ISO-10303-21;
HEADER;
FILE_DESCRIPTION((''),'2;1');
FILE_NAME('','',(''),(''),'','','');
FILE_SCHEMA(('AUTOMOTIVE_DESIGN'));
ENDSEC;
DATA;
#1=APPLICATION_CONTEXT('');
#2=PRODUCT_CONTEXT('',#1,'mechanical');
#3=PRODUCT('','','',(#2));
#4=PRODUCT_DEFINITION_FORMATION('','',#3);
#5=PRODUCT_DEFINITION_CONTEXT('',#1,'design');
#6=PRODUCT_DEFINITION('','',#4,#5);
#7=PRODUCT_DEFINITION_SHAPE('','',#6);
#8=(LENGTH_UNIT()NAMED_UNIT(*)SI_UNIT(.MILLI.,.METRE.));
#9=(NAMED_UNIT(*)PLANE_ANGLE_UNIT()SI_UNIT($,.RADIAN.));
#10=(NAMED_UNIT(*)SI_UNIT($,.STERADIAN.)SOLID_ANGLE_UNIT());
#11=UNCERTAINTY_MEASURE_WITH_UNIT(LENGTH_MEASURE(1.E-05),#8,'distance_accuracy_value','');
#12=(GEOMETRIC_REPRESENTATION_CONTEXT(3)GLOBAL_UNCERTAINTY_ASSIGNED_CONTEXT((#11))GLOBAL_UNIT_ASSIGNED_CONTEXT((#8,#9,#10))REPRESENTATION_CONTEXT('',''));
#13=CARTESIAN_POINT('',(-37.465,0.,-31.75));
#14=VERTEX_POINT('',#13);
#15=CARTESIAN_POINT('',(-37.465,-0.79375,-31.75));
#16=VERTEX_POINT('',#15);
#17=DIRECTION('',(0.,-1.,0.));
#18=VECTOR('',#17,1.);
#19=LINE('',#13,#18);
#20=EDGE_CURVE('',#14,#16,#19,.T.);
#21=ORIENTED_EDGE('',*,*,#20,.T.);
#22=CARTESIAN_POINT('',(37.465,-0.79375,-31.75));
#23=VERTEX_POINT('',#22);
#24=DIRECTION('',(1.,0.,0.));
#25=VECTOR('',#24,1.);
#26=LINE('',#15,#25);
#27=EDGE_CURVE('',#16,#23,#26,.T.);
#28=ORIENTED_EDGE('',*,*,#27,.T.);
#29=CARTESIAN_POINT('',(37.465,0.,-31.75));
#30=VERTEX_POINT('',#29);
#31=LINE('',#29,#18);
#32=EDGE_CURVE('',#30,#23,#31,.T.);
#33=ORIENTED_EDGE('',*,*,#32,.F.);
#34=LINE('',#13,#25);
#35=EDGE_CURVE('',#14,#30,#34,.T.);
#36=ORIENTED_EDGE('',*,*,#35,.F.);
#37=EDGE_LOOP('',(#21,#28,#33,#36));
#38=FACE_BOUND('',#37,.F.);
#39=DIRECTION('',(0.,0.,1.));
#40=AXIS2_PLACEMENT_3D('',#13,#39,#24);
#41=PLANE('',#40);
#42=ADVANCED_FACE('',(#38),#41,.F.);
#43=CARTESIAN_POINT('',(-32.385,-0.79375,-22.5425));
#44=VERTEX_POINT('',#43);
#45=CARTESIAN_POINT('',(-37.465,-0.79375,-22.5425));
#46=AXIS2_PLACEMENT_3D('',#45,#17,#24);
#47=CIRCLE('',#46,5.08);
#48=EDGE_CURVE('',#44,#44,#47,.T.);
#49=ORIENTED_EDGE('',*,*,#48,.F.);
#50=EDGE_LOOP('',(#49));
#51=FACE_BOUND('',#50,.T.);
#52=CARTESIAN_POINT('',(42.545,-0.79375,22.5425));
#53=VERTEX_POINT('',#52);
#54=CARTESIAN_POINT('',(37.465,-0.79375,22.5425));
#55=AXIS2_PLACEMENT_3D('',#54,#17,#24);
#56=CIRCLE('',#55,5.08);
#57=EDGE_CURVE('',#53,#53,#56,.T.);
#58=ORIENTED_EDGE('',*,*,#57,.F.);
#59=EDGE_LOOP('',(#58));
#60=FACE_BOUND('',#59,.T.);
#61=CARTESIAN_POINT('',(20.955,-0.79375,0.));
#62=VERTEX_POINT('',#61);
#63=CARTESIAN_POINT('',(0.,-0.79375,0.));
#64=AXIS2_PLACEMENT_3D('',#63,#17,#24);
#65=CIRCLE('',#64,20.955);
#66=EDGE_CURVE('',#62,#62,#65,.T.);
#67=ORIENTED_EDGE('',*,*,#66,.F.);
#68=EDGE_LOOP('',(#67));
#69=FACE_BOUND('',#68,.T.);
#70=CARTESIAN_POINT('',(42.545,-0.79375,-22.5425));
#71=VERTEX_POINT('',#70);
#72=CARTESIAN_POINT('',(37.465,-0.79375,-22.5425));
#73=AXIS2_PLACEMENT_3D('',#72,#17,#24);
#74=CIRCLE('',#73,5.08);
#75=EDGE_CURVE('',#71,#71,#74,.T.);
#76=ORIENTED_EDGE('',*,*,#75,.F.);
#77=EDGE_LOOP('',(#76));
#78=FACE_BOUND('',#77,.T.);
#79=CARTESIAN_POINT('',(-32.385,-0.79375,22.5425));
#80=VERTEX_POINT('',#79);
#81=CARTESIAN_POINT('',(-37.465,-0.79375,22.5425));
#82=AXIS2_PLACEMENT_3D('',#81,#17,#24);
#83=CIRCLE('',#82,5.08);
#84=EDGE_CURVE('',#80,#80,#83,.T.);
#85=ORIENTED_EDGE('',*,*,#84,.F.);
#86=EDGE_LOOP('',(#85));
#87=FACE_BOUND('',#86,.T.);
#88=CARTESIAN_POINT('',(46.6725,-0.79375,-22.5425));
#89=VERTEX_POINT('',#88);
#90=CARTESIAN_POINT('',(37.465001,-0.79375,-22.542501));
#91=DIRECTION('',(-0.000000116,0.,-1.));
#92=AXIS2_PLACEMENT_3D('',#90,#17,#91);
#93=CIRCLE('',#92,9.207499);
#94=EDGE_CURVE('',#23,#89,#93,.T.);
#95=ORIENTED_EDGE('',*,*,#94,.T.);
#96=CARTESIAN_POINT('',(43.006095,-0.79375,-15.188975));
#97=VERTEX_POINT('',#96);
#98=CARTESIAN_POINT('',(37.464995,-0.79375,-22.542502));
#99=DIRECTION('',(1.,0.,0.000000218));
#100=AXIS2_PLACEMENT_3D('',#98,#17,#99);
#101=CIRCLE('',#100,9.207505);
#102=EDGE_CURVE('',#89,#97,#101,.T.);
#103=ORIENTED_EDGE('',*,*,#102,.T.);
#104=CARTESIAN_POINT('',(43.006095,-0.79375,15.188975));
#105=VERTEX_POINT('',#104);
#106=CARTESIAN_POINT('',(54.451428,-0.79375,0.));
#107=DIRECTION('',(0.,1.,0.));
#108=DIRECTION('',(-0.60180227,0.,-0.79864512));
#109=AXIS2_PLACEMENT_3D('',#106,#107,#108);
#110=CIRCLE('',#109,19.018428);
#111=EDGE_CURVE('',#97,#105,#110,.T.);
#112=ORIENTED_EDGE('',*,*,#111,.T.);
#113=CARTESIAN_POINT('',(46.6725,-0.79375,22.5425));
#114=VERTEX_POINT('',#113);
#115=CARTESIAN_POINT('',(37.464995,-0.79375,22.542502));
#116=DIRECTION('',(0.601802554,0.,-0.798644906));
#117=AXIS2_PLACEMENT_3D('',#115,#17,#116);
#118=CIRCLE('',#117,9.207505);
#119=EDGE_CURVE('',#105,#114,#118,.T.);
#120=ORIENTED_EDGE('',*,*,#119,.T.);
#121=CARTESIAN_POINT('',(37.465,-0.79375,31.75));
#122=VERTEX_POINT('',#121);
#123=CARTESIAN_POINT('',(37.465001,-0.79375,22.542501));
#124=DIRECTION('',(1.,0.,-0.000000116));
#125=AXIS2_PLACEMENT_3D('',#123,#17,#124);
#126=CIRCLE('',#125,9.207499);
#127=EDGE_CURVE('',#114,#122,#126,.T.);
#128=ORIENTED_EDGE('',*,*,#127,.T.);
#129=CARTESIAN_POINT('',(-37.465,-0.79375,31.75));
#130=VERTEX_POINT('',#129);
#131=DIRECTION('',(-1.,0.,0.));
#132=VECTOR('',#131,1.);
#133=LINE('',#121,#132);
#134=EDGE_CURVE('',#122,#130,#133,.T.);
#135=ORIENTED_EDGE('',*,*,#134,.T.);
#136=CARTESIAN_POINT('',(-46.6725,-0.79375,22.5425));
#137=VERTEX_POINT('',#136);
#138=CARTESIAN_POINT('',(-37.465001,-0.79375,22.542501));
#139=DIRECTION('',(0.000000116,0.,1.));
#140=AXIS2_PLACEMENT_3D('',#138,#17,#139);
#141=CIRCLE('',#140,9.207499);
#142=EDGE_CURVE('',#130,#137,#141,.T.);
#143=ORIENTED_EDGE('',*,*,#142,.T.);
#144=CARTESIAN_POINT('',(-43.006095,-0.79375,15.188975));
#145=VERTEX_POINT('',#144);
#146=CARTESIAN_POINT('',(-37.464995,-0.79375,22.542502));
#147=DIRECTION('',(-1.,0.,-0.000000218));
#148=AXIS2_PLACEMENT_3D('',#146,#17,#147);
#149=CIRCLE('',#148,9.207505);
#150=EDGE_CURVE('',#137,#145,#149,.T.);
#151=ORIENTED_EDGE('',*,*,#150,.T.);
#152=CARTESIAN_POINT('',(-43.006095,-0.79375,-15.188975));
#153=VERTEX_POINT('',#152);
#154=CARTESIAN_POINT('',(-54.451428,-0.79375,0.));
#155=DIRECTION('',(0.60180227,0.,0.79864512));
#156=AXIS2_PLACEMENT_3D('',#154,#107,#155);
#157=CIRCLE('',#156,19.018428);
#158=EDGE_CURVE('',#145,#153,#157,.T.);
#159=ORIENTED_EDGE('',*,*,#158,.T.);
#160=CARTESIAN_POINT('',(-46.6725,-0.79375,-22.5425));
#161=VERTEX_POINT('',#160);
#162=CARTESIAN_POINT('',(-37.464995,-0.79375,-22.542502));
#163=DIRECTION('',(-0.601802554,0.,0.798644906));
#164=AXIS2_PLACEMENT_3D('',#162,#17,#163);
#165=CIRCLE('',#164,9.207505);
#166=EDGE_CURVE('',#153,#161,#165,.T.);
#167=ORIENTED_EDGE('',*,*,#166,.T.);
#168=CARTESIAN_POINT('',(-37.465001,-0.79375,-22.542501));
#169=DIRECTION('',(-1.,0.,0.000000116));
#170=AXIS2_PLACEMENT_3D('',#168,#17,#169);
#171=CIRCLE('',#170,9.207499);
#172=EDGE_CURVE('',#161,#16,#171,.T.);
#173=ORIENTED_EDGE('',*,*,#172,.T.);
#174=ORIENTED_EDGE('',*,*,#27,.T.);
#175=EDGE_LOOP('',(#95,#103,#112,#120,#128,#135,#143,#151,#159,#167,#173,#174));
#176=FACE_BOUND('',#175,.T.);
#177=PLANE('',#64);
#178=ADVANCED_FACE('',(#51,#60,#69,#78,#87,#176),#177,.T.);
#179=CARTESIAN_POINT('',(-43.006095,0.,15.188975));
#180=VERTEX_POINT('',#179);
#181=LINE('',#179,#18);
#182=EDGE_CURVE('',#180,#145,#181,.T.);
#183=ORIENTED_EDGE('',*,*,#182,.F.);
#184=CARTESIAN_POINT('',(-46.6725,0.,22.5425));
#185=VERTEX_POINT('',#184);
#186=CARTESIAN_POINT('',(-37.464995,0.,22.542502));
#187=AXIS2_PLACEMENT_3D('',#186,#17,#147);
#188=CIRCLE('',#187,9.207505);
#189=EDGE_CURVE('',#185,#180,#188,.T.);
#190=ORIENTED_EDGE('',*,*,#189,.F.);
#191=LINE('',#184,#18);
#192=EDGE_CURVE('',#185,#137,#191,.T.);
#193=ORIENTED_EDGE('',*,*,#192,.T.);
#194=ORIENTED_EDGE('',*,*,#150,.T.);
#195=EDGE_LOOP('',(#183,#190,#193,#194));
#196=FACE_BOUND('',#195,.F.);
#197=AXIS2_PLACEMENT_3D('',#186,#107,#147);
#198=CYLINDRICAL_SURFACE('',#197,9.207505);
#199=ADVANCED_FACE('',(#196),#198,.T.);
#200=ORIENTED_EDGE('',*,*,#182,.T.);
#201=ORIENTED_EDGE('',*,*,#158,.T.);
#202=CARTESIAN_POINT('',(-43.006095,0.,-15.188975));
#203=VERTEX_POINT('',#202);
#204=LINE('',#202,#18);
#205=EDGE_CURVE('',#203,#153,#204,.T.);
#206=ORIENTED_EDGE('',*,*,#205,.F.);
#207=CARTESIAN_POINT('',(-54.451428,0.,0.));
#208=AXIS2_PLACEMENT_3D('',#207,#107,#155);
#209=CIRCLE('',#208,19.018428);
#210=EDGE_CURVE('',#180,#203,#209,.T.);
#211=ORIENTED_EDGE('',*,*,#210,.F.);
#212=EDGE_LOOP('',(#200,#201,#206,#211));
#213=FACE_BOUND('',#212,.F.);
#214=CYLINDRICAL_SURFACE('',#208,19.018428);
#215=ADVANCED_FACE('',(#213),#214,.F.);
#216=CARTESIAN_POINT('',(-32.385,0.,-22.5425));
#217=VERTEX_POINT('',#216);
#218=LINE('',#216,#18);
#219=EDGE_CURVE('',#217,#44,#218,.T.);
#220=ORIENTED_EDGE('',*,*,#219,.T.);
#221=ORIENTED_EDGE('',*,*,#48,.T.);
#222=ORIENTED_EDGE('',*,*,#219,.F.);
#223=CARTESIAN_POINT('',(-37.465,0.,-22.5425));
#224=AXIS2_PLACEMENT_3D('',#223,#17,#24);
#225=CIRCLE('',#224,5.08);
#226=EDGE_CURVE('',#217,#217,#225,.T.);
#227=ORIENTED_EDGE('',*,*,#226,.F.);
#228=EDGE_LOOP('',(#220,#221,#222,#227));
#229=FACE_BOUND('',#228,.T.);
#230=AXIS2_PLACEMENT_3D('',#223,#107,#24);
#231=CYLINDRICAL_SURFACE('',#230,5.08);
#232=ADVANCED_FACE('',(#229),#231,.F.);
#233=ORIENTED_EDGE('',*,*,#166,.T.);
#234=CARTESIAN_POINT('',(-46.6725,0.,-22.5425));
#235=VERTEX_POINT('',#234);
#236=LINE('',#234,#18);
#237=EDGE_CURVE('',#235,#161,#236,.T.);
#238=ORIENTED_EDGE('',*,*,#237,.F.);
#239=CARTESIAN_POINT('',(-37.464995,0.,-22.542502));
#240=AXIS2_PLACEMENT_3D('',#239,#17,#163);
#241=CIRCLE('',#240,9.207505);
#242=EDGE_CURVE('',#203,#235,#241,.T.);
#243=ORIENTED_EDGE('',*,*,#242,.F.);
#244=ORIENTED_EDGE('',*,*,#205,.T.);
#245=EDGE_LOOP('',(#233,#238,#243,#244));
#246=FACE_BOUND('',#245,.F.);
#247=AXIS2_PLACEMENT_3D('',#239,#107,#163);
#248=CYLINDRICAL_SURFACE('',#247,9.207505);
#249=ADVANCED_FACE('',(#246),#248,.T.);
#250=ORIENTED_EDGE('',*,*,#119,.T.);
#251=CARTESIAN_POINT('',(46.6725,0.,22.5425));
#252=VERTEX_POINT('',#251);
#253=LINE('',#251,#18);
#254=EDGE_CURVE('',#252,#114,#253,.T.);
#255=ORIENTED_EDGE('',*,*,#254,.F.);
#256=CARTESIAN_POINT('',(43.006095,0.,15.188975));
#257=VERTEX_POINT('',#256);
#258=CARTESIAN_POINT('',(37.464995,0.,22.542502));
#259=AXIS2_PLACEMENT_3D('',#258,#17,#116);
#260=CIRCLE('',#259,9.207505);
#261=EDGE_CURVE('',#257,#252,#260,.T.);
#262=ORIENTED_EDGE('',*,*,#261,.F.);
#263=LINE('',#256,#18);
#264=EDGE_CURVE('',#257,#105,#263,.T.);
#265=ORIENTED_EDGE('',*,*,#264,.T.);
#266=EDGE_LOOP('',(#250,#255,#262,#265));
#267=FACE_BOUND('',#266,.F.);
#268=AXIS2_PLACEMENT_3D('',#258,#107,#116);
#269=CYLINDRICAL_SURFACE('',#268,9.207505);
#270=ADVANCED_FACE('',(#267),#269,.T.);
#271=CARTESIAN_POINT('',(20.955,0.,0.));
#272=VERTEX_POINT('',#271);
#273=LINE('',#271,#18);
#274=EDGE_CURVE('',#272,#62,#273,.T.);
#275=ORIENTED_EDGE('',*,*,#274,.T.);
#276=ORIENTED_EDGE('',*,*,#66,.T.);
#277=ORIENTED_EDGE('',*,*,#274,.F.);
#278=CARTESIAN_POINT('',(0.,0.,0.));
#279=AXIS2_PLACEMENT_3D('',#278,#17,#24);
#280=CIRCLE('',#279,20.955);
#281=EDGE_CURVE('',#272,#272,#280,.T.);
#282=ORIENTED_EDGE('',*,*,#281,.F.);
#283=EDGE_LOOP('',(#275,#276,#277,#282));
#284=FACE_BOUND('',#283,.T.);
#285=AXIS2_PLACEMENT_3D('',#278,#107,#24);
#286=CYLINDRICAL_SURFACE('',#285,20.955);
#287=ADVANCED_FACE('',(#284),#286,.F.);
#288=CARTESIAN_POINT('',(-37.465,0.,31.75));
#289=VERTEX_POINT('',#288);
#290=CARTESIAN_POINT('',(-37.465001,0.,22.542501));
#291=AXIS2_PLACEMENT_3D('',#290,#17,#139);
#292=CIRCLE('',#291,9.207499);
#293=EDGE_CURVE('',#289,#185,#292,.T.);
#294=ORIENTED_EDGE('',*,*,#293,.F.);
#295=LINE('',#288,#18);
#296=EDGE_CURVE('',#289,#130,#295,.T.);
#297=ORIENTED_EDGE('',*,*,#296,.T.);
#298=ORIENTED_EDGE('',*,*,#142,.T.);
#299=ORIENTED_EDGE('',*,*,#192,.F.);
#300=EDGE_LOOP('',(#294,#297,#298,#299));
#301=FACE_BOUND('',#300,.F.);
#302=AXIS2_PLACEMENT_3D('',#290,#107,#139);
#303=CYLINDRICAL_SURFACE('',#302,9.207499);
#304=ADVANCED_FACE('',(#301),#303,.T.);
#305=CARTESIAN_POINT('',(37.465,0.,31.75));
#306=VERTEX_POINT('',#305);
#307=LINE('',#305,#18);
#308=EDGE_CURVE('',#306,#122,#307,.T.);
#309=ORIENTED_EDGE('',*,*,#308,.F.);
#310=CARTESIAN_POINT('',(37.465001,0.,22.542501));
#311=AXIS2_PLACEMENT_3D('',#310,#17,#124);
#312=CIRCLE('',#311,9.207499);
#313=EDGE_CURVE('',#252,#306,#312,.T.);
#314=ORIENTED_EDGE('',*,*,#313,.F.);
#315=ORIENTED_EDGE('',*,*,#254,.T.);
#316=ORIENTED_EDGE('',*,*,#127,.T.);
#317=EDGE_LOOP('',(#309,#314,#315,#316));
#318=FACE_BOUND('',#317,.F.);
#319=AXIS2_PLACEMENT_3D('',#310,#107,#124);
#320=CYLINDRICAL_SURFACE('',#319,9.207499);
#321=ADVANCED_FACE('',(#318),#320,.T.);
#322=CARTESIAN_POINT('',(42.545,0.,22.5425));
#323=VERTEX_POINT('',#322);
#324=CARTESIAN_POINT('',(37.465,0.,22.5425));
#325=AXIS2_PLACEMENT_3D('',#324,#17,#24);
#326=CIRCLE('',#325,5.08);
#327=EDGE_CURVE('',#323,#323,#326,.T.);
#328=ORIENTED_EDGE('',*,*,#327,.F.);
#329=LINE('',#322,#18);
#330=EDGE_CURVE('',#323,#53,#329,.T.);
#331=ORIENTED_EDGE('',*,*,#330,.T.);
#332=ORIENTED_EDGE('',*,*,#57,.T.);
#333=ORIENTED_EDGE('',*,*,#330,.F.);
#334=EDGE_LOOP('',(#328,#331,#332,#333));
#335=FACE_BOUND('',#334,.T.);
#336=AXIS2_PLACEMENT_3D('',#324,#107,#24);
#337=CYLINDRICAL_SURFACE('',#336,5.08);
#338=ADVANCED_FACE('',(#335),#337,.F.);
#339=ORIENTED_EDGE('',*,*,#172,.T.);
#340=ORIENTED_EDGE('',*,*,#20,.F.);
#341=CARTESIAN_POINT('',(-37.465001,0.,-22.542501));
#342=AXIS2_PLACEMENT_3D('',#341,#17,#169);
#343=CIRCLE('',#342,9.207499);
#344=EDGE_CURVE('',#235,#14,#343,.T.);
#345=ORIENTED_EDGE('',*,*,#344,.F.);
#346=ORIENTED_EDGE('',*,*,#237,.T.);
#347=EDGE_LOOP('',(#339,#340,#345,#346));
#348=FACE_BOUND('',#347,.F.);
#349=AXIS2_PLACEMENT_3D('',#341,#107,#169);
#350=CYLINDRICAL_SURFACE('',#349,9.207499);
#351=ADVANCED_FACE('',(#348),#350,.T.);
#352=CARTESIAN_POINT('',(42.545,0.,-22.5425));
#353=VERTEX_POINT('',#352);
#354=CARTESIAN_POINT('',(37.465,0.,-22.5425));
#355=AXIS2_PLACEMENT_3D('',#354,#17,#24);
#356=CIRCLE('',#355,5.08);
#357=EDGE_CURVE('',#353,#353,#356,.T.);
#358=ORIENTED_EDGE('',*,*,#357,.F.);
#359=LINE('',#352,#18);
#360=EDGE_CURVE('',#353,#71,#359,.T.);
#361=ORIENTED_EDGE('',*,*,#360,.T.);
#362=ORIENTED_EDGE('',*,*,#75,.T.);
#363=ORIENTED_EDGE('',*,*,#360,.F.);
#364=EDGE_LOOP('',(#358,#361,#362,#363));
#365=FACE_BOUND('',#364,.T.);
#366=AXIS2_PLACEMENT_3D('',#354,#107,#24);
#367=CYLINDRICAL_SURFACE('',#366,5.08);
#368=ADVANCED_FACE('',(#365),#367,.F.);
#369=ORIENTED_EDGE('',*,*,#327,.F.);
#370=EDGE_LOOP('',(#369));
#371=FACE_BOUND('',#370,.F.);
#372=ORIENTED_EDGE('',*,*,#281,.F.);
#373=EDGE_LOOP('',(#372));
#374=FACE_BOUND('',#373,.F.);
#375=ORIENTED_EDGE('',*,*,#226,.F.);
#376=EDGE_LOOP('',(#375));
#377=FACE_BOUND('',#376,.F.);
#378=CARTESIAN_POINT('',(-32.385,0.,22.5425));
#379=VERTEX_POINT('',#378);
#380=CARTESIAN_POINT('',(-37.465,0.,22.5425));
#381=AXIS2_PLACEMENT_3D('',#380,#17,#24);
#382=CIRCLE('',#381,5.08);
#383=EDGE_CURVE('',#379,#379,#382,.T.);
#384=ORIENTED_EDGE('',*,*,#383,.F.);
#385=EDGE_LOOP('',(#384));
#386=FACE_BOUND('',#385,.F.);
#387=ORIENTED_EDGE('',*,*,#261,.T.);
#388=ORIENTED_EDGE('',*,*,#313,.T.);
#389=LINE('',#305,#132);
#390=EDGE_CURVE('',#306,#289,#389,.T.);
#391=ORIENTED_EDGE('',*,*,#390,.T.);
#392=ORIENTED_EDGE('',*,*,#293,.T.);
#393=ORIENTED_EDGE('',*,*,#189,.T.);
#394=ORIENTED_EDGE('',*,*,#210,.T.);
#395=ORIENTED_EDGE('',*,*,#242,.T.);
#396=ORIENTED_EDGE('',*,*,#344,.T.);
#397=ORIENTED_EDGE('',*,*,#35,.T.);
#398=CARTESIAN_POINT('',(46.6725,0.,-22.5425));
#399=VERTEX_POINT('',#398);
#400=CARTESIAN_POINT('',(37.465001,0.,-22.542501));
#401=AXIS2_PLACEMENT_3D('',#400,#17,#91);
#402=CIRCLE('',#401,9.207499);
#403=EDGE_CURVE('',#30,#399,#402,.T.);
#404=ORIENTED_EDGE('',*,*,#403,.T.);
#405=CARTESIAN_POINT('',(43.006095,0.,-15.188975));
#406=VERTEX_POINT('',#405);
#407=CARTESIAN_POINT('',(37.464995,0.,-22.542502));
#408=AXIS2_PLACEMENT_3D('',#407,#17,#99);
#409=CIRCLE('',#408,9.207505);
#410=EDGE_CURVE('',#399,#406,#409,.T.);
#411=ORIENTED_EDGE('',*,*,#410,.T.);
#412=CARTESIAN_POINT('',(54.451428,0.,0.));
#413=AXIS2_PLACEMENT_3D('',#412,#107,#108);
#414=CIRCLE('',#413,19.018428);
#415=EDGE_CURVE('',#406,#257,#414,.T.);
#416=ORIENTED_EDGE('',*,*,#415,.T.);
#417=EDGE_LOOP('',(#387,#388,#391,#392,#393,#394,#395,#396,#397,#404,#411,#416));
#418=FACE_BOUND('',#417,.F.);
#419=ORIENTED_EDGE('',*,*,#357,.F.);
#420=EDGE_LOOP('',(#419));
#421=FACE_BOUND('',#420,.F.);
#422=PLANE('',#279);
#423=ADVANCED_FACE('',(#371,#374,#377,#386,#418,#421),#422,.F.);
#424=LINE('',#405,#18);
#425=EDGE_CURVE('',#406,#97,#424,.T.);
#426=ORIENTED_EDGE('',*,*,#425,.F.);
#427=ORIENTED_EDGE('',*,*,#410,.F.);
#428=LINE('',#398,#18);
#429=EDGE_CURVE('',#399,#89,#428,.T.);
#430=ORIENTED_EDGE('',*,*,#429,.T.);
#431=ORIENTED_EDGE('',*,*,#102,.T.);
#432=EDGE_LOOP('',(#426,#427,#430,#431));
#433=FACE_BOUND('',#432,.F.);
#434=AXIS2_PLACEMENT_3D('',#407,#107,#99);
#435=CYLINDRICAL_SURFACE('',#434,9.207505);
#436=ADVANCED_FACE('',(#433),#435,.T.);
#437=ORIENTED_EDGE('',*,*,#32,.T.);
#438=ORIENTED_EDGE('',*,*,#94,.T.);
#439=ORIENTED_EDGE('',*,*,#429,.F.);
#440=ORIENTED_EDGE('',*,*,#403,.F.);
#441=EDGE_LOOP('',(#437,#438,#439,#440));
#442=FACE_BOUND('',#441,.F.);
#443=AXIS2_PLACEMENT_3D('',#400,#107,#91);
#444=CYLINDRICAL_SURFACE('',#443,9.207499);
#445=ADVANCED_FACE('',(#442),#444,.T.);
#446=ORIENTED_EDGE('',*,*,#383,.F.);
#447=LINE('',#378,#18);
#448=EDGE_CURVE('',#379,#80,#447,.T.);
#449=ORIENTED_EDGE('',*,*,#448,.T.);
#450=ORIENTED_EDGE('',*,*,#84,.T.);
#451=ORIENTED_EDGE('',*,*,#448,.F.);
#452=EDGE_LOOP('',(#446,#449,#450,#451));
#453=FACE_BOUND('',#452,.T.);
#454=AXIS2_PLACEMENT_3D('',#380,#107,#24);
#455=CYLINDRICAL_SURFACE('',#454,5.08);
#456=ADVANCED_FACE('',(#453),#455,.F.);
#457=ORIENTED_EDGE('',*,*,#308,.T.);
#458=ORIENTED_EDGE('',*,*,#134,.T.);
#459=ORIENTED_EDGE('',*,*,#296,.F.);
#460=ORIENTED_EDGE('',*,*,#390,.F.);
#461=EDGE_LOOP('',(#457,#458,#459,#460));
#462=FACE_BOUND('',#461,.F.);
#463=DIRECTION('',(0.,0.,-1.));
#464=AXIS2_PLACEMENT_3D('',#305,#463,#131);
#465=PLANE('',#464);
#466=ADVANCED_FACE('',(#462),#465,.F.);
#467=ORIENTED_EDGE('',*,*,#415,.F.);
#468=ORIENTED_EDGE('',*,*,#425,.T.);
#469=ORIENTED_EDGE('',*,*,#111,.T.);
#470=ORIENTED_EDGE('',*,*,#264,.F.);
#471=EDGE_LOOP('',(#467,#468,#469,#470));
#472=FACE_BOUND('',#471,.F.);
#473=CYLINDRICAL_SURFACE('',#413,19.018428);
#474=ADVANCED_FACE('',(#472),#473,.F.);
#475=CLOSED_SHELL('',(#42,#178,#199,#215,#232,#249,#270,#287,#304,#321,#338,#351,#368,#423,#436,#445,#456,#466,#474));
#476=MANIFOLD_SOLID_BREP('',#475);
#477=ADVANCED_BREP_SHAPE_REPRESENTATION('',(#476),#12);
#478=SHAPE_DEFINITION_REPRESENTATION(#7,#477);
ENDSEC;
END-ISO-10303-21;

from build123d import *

# Parameters (mm, degrees)
F0_R     = 5.08
F0_R_2   = 20.955
F1_DEPTH = 0.79375


with BuildPart() as f1:
    # F0 (on Front) → F1 (new body)
    with BuildSketch(Plane.XZ):
        with BuildLine():
            Line((37.465, 31.75), (-37.465, 31.75))
            ThreePointArc((-37.465, 31.75), (-43.975686, 29.053186), (-46.6725, 22.5425))
            ThreePointArc((-46.6725, 22.5425), (-45.705075, 18.434068), (-43.006095, 15.188975))
            ThreePointArc((-43.006095, 15.188975), (-35.433, 0), (-43.006095, -15.188975))
            ThreePointArc((-43.006095, -15.188975), (-45.705075, -18.434068), (-46.6725, -22.5425))
            ThreePointArc((-46.6725, -22.5425), (-43.975686, -29.053186), (-37.465, -31.75))
            Line((-37.465, -31.75), (37.465, -31.75))
            ThreePointArc((37.465, -31.75), (43.975686, -29.053186), (46.6725, -22.5425))
            ThreePointArc((46.6725, -22.5425), (45.705075, -18.434068), (43.006095, -15.188975))
            ThreePointArc((43.006095, -15.188975), (35.433, 0), (43.006095, 15.188975))
            ThreePointArc((43.006095, 15.188975), (45.705075, 18.434068), (46.6725, 22.5425))
            ThreePointArc((46.6725, 22.5425), (43.975686, 29.053186), (37.465, 31.75))
        make_face()
        with Locations((-37.465, -22.5425)):
            Circle(F0_R, mode=Mode.SUBTRACT)
        with Locations((37.465, -22.5425)):
            Circle(F0_R, mode=Mode.SUBTRACT)
        Circle(F0_R_2, mode=Mode.SUBTRACT)
        with Locations((-37.465, 22.5425)):
            Circle(F0_R, mode=Mode.SUBTRACT)
        with Locations((37.465, 22.5425)):
            Circle(F0_R, mode=Mode.SUBTRACT)
    extrude(amount=F1_DEPTH)


solid = f1.part
